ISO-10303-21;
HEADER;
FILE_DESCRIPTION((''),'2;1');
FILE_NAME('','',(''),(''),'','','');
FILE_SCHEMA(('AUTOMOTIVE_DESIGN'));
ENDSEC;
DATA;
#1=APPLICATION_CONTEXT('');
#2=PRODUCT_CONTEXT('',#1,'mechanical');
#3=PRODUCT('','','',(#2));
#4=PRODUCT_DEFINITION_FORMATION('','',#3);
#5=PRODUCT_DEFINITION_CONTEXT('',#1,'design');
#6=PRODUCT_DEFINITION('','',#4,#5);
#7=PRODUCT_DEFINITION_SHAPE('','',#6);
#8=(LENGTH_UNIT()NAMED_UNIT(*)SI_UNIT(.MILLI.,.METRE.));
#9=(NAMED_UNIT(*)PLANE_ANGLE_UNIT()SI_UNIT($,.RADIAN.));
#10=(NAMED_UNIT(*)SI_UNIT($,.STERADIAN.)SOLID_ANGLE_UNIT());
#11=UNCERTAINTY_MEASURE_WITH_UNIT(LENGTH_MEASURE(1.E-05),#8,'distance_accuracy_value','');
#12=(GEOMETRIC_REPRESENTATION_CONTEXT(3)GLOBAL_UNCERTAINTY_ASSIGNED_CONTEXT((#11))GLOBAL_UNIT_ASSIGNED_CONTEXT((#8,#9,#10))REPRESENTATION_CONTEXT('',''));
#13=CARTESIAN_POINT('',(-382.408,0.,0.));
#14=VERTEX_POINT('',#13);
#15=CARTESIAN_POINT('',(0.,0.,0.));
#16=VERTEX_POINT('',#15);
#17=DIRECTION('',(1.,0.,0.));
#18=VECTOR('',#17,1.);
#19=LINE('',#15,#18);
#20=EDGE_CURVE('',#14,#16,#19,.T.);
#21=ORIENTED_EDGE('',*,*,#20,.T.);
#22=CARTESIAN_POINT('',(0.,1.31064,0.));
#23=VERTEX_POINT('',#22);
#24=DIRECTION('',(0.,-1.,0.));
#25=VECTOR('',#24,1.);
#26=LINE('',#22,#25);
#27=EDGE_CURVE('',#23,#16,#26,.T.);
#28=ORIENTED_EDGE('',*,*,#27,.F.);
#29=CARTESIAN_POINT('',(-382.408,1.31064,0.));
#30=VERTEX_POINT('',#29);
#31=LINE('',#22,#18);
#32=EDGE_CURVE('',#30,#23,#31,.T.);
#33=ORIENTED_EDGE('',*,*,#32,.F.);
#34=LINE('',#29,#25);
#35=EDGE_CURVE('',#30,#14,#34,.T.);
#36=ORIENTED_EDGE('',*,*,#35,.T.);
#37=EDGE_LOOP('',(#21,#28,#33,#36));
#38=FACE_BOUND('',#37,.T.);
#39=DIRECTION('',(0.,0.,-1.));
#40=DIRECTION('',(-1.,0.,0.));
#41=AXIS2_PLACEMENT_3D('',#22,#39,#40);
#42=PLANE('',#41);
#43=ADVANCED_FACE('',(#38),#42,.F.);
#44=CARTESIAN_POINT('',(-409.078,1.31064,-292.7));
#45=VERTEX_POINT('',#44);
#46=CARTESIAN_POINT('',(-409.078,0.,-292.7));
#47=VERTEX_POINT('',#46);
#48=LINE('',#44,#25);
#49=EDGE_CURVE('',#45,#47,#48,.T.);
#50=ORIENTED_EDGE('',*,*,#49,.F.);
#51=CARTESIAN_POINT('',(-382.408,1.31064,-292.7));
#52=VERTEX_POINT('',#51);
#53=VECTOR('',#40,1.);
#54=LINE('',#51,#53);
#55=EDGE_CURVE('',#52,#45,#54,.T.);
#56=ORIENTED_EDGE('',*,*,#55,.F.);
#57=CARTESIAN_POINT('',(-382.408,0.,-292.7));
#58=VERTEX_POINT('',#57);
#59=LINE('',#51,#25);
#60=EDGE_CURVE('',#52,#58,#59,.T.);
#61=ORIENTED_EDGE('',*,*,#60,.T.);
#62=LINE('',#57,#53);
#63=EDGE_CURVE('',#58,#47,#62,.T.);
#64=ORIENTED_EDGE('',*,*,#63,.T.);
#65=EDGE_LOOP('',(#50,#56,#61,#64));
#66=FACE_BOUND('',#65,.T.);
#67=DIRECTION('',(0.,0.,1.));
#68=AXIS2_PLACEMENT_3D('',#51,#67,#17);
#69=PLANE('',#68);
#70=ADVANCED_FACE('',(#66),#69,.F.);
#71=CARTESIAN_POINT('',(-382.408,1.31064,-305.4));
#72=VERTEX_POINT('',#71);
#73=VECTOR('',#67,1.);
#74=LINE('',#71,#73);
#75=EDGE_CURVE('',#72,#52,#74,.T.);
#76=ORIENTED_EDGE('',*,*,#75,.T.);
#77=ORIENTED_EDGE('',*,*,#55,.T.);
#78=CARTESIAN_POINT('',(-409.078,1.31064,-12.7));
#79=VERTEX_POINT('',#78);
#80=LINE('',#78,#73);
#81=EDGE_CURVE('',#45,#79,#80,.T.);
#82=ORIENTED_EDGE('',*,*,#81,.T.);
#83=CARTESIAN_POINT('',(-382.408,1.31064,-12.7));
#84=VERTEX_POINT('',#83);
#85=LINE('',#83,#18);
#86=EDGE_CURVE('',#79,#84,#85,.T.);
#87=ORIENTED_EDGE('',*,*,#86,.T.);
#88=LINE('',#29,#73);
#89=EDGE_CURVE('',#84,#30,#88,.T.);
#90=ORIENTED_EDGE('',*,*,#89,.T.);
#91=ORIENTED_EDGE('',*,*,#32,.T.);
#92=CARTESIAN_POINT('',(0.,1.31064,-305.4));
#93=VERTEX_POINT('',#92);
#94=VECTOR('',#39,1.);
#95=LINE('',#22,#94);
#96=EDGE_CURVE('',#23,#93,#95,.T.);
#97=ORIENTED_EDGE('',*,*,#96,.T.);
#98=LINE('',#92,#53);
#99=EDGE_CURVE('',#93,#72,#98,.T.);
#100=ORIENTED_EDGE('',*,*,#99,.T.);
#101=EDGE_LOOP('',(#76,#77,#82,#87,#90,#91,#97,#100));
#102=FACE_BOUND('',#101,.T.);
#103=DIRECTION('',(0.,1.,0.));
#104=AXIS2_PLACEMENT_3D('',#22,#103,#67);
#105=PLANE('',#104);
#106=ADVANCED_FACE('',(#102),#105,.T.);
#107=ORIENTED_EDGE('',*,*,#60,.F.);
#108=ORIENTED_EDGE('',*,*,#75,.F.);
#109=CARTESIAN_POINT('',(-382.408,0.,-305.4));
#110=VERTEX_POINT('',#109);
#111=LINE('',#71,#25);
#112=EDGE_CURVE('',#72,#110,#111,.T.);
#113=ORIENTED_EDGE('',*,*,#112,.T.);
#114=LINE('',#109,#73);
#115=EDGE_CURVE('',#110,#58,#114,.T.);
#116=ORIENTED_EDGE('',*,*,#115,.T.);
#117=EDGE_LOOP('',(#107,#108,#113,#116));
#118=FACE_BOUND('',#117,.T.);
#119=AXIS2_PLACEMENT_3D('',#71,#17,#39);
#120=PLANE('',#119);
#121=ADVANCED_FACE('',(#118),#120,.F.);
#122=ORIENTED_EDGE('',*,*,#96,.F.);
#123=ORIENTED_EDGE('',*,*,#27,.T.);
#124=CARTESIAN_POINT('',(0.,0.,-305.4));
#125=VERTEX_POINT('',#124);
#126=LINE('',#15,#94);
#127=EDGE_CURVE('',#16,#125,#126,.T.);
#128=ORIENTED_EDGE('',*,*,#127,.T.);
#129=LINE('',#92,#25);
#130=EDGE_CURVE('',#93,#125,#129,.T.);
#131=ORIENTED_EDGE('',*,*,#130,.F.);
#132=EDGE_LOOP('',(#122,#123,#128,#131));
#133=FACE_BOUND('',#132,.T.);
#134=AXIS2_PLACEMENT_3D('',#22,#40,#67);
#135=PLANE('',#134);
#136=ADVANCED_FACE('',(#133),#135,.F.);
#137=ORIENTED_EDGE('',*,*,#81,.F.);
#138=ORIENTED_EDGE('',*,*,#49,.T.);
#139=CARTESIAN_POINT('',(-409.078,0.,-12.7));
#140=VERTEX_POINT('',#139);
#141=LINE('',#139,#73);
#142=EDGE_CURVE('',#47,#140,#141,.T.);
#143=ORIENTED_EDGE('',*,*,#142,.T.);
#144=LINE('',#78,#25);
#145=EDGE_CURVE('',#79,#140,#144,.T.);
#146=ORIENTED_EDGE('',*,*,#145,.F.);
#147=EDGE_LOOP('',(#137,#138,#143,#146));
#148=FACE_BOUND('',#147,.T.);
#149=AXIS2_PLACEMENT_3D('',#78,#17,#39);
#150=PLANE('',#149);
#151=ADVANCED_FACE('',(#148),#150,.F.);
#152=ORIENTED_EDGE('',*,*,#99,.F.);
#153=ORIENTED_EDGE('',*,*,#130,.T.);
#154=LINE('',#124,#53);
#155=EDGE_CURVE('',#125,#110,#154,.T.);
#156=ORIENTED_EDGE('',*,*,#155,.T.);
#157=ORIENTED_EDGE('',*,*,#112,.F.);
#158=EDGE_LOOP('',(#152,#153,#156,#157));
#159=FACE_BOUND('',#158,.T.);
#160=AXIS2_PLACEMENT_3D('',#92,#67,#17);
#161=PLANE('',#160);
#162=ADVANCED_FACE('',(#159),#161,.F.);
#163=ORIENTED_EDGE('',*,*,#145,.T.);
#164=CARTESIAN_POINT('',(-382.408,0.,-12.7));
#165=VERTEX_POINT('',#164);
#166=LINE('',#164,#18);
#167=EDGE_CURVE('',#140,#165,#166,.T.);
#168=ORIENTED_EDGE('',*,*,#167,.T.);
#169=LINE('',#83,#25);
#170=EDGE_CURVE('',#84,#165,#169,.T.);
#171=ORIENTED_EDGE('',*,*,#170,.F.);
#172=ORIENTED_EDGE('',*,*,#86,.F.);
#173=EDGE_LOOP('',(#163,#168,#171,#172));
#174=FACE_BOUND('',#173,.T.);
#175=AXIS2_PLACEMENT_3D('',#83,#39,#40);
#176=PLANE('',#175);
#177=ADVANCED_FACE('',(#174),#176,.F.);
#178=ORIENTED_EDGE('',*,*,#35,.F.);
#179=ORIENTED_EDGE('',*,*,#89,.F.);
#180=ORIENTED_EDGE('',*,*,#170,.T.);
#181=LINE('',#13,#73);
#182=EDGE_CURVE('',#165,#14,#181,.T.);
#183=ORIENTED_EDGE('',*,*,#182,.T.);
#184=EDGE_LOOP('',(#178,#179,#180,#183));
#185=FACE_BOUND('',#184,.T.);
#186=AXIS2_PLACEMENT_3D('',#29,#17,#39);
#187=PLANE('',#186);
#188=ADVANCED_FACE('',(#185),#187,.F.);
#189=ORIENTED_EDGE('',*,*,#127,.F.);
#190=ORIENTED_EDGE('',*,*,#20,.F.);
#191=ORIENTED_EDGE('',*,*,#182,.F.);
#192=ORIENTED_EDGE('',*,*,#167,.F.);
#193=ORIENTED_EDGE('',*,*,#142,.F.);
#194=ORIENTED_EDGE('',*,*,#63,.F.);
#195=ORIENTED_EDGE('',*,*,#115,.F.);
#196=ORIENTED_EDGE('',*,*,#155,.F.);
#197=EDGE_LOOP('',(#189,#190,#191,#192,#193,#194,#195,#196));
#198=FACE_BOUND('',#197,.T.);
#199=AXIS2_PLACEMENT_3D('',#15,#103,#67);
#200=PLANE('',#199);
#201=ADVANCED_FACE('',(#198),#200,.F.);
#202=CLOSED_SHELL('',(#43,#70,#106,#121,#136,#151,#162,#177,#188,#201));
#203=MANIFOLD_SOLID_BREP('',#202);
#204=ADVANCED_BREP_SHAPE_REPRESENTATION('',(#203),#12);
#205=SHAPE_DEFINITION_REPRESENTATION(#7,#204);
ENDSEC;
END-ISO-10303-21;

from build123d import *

# Parameters (mm, degrees)
BOSS_EXTRUDE1_DEPTH = 1.31064


with BuildPart() as part:
    # Sketch1 → Boss-Extrude1 (new body)
    with BuildSketch(Plane(origin=(0, 0, 0), x_dir=(1, 0, 0), z_dir=(0, 1, 0))):
        Polygon((-382.408, 0), (-382.408, 12.7), (-409.078, 12.7), (-409.078, 292.7), (-382.408, 292.7), (-382.408, 305.4), (0, 305.4), (0, 0), align=None)
    extrude(amount=BOSS_EXTRUDE1_DEPTH)


solid = part.part
